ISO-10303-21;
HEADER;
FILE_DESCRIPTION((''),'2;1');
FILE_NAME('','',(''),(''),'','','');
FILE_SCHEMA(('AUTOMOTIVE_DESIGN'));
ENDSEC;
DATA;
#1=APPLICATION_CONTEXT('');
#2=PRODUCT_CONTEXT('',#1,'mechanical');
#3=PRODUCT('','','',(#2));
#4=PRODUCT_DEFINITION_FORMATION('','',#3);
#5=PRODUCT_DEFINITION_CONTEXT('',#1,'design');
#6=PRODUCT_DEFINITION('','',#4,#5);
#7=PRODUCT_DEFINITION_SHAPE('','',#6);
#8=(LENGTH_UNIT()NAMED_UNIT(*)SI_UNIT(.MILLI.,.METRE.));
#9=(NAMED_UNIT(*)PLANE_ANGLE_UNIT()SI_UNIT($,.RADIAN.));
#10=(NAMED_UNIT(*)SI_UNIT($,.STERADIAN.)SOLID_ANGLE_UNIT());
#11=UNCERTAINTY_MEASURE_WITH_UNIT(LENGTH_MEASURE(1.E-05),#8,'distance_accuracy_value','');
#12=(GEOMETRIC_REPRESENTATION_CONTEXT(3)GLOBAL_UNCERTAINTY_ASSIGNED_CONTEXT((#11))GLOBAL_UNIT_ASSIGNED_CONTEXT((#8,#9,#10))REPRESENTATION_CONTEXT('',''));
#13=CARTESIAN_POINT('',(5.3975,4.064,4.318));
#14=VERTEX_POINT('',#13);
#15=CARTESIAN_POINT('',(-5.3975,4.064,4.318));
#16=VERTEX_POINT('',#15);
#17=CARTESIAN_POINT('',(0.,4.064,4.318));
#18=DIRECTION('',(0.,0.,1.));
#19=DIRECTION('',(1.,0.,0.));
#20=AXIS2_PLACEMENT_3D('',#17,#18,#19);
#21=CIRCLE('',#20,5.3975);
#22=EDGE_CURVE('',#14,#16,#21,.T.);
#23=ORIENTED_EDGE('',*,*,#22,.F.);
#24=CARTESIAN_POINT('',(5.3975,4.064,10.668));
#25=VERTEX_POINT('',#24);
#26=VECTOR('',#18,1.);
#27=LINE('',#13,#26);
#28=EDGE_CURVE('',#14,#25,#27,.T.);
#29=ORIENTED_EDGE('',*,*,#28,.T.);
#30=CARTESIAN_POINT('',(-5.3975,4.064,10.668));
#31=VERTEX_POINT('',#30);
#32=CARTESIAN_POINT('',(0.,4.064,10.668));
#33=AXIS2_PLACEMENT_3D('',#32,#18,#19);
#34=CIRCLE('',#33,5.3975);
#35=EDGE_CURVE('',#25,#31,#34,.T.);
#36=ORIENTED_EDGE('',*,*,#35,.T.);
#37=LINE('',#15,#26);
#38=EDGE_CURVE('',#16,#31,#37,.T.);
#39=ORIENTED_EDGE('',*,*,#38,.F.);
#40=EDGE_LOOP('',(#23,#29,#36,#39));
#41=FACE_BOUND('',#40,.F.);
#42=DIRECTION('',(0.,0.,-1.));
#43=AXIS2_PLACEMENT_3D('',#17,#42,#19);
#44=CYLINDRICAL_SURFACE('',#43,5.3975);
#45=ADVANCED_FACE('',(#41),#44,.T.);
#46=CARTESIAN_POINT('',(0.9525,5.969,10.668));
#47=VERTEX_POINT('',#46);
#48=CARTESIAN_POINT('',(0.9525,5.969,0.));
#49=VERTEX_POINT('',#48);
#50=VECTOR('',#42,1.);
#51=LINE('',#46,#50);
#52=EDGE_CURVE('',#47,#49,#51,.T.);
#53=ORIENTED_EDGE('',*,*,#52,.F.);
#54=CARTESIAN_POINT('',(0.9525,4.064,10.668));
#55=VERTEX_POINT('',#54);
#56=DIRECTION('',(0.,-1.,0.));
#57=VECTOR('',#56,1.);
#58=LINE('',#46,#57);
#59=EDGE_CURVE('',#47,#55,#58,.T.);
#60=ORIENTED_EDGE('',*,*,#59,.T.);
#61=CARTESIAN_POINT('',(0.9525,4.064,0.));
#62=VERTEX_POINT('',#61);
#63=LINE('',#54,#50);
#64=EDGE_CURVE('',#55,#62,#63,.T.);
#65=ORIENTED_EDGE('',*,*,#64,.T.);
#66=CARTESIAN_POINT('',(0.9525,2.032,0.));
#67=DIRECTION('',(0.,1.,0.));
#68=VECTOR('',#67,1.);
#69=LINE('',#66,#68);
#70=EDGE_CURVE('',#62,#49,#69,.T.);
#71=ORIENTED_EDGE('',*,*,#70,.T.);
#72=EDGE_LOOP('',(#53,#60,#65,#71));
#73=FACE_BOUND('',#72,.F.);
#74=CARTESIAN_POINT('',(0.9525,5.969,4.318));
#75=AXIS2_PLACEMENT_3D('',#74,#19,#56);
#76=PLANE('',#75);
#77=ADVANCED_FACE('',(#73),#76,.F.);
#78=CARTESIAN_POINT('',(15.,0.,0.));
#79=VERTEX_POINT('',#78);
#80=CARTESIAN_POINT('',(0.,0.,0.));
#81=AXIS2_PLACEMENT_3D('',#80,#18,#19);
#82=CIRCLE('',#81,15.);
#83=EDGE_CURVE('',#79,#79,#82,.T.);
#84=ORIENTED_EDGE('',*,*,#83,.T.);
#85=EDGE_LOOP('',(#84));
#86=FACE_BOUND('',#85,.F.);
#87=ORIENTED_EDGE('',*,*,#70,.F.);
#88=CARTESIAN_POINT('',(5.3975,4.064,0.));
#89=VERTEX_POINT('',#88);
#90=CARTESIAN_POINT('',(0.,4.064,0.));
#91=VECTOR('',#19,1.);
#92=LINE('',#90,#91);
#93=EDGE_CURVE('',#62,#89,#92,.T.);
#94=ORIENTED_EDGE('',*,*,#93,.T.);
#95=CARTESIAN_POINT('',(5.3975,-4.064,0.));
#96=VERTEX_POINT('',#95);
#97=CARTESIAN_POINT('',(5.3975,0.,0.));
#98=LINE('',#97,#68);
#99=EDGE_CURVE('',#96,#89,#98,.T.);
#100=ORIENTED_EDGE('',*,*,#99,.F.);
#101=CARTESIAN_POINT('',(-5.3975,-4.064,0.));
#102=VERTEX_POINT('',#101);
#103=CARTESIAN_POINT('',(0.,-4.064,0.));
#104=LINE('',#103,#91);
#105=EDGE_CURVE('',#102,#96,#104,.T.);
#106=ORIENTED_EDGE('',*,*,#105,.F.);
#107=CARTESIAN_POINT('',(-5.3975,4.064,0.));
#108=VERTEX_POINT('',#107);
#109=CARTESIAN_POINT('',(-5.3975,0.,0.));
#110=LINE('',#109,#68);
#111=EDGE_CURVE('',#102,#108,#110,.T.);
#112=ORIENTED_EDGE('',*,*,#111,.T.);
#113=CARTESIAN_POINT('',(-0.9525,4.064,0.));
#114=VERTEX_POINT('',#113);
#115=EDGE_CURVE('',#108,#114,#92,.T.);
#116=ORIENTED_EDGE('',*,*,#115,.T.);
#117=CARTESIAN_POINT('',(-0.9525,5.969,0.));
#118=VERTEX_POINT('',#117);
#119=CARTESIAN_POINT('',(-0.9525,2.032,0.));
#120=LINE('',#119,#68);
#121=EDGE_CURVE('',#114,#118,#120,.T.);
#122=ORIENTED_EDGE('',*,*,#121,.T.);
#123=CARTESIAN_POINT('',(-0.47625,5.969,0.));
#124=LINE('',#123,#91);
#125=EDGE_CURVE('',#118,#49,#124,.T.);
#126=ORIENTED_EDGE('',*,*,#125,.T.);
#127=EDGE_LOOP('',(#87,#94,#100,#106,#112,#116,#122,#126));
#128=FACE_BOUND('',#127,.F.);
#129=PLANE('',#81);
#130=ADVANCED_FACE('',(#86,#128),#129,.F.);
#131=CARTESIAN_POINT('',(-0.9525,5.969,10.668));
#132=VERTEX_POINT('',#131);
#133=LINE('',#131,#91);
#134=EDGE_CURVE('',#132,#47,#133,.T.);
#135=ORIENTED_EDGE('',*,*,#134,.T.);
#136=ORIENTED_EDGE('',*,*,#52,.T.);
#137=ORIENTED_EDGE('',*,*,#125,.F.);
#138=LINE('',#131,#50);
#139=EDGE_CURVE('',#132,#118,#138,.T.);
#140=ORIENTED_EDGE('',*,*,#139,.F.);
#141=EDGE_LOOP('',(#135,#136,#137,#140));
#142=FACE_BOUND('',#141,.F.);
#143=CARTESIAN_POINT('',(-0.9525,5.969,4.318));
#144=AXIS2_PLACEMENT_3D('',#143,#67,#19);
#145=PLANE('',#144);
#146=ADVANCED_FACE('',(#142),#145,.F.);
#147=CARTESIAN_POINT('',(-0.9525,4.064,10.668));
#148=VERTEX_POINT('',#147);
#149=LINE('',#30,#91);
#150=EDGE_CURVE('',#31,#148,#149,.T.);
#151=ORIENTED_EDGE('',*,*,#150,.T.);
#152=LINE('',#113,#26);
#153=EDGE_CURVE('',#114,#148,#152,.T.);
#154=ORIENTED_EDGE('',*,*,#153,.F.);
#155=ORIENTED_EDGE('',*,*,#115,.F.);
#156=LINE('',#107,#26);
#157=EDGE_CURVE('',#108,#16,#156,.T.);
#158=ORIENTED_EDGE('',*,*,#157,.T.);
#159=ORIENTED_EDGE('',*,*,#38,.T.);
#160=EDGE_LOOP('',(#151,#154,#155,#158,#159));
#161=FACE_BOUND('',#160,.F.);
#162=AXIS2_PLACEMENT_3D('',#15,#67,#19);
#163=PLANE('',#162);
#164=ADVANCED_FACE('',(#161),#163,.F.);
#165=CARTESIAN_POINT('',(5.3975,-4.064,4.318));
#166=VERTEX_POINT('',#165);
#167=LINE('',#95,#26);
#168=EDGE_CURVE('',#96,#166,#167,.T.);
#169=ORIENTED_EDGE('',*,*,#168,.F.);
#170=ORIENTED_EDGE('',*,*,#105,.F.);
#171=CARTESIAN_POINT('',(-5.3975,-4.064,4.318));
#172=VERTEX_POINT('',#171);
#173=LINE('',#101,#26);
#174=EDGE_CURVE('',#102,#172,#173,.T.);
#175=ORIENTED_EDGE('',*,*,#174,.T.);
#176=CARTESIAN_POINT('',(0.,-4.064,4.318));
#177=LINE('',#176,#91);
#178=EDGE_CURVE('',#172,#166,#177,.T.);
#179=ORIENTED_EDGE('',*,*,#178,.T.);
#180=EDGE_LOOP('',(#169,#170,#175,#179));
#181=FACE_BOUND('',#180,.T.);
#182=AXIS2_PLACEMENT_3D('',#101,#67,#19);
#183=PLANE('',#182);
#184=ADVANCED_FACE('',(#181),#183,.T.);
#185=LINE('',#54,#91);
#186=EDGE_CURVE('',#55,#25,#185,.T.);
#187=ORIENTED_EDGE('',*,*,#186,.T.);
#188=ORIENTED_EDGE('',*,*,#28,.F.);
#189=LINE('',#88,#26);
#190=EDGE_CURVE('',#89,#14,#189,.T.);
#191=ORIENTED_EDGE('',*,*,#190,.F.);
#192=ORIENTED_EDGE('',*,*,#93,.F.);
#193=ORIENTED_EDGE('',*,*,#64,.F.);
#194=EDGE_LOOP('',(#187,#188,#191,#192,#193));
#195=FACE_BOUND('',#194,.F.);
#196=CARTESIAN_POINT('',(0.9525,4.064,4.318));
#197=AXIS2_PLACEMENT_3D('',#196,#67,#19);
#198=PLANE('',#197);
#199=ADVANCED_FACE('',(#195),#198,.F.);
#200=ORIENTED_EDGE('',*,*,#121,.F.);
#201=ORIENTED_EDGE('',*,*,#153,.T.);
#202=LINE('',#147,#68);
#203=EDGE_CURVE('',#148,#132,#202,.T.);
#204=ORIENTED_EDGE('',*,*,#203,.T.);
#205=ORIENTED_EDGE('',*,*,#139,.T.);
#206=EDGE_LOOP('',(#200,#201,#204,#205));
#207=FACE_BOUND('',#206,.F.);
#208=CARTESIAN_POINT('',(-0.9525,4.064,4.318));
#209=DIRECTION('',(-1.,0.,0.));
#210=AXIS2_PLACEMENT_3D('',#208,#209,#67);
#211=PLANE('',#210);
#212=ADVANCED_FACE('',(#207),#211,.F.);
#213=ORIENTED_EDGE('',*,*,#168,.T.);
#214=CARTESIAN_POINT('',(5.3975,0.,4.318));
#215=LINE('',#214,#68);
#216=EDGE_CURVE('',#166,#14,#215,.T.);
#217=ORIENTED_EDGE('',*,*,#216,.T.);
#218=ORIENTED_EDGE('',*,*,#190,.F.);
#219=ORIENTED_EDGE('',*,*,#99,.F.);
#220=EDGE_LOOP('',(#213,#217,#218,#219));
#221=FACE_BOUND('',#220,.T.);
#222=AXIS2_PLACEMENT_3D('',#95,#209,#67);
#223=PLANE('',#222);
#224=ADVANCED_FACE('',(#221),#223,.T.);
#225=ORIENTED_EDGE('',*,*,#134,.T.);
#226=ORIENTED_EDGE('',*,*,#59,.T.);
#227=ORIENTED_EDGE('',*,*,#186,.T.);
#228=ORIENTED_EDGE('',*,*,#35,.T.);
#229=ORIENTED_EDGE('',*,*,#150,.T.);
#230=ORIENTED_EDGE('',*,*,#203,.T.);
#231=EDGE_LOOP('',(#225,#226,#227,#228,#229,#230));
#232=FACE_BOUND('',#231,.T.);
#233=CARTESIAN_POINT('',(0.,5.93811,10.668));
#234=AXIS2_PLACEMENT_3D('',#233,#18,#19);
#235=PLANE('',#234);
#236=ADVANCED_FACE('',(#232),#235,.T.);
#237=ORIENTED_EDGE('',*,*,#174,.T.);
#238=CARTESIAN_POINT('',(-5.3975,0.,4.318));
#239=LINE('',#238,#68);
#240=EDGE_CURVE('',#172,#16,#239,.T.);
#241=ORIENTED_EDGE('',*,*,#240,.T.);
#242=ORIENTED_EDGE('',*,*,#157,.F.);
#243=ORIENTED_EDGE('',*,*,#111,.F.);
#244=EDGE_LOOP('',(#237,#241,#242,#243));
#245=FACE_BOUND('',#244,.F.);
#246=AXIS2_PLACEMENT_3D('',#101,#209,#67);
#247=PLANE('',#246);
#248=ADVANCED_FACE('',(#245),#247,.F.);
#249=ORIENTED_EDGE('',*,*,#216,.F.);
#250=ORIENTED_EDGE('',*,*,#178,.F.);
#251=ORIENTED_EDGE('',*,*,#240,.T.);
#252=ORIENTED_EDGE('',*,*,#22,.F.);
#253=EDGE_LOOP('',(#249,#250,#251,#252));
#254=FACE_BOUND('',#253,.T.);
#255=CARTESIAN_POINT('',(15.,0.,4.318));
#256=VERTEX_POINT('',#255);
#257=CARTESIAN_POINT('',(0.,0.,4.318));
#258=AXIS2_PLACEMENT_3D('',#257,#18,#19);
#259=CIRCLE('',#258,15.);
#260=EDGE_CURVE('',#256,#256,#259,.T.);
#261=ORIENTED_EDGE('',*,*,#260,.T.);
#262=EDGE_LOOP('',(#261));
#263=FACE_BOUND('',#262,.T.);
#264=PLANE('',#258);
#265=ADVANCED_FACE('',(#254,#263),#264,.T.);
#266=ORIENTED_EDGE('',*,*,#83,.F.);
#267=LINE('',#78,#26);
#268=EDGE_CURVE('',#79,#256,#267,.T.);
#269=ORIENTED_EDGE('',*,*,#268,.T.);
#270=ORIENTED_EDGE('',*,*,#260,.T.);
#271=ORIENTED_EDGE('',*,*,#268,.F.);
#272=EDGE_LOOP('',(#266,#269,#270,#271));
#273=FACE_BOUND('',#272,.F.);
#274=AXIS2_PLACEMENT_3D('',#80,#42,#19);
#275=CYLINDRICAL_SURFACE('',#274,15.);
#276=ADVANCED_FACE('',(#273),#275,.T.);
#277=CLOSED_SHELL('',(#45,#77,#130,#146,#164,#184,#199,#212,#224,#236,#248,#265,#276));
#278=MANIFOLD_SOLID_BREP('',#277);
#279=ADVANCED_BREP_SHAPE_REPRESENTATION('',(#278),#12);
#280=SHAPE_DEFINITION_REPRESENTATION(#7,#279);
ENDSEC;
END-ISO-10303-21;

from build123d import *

# Parameters (mm, degrees)
F0_R     = 15
F0_W     = 10.795
F0_H     = 8.128
F1_DEPTH = 4.318
F2_W     = 1.905
F2_H     = 1.905
F3_DEPTH = 25.4
F5_DEPTH = 6.35


with BuildPart() as f1:
    # F0 (on Top) → F1 (new body)
    with BuildSketch(Plane.XY):
        Circle(F0_R)
        Rectangle(F0_W, F0_H, mode=Mode.SUBTRACT)
    extrude(amount=F1_DEPTH)

    # F2 (on face) → F3 (cut)
    with BuildSketch(Plane.XY.offset(4.318)):
        with Locations((0, 5.0165)):
            Rectangle(F2_W, F2_H)
    extrude(amount=-F3_DEPTH, mode=Mode.SUBTRACT)

    # F4 (on face) → F5 (join)
    with BuildSketch(Plane.XY.offset(4.318)):
        with BuildLine():
            Line((0.9525, 4.064), (5.3975, 4.064))
            ThreePointArc((5.3975, 4.064), (0, 9.4615), (-5.3975, 4.064))
            Line((-5.3975, 4.064), (-0.9525, 4.064))
            Line((-0.9525, 4.064), (-0.9525, 5.969))
            Line((-0.9525, 5.969), (0.9525, 5.969))
            Line((0.9525, 5.969), (0.9525, 4.064))
        make_face()
    extrude(amount=F5_DEPTH)


solid = f1.part
